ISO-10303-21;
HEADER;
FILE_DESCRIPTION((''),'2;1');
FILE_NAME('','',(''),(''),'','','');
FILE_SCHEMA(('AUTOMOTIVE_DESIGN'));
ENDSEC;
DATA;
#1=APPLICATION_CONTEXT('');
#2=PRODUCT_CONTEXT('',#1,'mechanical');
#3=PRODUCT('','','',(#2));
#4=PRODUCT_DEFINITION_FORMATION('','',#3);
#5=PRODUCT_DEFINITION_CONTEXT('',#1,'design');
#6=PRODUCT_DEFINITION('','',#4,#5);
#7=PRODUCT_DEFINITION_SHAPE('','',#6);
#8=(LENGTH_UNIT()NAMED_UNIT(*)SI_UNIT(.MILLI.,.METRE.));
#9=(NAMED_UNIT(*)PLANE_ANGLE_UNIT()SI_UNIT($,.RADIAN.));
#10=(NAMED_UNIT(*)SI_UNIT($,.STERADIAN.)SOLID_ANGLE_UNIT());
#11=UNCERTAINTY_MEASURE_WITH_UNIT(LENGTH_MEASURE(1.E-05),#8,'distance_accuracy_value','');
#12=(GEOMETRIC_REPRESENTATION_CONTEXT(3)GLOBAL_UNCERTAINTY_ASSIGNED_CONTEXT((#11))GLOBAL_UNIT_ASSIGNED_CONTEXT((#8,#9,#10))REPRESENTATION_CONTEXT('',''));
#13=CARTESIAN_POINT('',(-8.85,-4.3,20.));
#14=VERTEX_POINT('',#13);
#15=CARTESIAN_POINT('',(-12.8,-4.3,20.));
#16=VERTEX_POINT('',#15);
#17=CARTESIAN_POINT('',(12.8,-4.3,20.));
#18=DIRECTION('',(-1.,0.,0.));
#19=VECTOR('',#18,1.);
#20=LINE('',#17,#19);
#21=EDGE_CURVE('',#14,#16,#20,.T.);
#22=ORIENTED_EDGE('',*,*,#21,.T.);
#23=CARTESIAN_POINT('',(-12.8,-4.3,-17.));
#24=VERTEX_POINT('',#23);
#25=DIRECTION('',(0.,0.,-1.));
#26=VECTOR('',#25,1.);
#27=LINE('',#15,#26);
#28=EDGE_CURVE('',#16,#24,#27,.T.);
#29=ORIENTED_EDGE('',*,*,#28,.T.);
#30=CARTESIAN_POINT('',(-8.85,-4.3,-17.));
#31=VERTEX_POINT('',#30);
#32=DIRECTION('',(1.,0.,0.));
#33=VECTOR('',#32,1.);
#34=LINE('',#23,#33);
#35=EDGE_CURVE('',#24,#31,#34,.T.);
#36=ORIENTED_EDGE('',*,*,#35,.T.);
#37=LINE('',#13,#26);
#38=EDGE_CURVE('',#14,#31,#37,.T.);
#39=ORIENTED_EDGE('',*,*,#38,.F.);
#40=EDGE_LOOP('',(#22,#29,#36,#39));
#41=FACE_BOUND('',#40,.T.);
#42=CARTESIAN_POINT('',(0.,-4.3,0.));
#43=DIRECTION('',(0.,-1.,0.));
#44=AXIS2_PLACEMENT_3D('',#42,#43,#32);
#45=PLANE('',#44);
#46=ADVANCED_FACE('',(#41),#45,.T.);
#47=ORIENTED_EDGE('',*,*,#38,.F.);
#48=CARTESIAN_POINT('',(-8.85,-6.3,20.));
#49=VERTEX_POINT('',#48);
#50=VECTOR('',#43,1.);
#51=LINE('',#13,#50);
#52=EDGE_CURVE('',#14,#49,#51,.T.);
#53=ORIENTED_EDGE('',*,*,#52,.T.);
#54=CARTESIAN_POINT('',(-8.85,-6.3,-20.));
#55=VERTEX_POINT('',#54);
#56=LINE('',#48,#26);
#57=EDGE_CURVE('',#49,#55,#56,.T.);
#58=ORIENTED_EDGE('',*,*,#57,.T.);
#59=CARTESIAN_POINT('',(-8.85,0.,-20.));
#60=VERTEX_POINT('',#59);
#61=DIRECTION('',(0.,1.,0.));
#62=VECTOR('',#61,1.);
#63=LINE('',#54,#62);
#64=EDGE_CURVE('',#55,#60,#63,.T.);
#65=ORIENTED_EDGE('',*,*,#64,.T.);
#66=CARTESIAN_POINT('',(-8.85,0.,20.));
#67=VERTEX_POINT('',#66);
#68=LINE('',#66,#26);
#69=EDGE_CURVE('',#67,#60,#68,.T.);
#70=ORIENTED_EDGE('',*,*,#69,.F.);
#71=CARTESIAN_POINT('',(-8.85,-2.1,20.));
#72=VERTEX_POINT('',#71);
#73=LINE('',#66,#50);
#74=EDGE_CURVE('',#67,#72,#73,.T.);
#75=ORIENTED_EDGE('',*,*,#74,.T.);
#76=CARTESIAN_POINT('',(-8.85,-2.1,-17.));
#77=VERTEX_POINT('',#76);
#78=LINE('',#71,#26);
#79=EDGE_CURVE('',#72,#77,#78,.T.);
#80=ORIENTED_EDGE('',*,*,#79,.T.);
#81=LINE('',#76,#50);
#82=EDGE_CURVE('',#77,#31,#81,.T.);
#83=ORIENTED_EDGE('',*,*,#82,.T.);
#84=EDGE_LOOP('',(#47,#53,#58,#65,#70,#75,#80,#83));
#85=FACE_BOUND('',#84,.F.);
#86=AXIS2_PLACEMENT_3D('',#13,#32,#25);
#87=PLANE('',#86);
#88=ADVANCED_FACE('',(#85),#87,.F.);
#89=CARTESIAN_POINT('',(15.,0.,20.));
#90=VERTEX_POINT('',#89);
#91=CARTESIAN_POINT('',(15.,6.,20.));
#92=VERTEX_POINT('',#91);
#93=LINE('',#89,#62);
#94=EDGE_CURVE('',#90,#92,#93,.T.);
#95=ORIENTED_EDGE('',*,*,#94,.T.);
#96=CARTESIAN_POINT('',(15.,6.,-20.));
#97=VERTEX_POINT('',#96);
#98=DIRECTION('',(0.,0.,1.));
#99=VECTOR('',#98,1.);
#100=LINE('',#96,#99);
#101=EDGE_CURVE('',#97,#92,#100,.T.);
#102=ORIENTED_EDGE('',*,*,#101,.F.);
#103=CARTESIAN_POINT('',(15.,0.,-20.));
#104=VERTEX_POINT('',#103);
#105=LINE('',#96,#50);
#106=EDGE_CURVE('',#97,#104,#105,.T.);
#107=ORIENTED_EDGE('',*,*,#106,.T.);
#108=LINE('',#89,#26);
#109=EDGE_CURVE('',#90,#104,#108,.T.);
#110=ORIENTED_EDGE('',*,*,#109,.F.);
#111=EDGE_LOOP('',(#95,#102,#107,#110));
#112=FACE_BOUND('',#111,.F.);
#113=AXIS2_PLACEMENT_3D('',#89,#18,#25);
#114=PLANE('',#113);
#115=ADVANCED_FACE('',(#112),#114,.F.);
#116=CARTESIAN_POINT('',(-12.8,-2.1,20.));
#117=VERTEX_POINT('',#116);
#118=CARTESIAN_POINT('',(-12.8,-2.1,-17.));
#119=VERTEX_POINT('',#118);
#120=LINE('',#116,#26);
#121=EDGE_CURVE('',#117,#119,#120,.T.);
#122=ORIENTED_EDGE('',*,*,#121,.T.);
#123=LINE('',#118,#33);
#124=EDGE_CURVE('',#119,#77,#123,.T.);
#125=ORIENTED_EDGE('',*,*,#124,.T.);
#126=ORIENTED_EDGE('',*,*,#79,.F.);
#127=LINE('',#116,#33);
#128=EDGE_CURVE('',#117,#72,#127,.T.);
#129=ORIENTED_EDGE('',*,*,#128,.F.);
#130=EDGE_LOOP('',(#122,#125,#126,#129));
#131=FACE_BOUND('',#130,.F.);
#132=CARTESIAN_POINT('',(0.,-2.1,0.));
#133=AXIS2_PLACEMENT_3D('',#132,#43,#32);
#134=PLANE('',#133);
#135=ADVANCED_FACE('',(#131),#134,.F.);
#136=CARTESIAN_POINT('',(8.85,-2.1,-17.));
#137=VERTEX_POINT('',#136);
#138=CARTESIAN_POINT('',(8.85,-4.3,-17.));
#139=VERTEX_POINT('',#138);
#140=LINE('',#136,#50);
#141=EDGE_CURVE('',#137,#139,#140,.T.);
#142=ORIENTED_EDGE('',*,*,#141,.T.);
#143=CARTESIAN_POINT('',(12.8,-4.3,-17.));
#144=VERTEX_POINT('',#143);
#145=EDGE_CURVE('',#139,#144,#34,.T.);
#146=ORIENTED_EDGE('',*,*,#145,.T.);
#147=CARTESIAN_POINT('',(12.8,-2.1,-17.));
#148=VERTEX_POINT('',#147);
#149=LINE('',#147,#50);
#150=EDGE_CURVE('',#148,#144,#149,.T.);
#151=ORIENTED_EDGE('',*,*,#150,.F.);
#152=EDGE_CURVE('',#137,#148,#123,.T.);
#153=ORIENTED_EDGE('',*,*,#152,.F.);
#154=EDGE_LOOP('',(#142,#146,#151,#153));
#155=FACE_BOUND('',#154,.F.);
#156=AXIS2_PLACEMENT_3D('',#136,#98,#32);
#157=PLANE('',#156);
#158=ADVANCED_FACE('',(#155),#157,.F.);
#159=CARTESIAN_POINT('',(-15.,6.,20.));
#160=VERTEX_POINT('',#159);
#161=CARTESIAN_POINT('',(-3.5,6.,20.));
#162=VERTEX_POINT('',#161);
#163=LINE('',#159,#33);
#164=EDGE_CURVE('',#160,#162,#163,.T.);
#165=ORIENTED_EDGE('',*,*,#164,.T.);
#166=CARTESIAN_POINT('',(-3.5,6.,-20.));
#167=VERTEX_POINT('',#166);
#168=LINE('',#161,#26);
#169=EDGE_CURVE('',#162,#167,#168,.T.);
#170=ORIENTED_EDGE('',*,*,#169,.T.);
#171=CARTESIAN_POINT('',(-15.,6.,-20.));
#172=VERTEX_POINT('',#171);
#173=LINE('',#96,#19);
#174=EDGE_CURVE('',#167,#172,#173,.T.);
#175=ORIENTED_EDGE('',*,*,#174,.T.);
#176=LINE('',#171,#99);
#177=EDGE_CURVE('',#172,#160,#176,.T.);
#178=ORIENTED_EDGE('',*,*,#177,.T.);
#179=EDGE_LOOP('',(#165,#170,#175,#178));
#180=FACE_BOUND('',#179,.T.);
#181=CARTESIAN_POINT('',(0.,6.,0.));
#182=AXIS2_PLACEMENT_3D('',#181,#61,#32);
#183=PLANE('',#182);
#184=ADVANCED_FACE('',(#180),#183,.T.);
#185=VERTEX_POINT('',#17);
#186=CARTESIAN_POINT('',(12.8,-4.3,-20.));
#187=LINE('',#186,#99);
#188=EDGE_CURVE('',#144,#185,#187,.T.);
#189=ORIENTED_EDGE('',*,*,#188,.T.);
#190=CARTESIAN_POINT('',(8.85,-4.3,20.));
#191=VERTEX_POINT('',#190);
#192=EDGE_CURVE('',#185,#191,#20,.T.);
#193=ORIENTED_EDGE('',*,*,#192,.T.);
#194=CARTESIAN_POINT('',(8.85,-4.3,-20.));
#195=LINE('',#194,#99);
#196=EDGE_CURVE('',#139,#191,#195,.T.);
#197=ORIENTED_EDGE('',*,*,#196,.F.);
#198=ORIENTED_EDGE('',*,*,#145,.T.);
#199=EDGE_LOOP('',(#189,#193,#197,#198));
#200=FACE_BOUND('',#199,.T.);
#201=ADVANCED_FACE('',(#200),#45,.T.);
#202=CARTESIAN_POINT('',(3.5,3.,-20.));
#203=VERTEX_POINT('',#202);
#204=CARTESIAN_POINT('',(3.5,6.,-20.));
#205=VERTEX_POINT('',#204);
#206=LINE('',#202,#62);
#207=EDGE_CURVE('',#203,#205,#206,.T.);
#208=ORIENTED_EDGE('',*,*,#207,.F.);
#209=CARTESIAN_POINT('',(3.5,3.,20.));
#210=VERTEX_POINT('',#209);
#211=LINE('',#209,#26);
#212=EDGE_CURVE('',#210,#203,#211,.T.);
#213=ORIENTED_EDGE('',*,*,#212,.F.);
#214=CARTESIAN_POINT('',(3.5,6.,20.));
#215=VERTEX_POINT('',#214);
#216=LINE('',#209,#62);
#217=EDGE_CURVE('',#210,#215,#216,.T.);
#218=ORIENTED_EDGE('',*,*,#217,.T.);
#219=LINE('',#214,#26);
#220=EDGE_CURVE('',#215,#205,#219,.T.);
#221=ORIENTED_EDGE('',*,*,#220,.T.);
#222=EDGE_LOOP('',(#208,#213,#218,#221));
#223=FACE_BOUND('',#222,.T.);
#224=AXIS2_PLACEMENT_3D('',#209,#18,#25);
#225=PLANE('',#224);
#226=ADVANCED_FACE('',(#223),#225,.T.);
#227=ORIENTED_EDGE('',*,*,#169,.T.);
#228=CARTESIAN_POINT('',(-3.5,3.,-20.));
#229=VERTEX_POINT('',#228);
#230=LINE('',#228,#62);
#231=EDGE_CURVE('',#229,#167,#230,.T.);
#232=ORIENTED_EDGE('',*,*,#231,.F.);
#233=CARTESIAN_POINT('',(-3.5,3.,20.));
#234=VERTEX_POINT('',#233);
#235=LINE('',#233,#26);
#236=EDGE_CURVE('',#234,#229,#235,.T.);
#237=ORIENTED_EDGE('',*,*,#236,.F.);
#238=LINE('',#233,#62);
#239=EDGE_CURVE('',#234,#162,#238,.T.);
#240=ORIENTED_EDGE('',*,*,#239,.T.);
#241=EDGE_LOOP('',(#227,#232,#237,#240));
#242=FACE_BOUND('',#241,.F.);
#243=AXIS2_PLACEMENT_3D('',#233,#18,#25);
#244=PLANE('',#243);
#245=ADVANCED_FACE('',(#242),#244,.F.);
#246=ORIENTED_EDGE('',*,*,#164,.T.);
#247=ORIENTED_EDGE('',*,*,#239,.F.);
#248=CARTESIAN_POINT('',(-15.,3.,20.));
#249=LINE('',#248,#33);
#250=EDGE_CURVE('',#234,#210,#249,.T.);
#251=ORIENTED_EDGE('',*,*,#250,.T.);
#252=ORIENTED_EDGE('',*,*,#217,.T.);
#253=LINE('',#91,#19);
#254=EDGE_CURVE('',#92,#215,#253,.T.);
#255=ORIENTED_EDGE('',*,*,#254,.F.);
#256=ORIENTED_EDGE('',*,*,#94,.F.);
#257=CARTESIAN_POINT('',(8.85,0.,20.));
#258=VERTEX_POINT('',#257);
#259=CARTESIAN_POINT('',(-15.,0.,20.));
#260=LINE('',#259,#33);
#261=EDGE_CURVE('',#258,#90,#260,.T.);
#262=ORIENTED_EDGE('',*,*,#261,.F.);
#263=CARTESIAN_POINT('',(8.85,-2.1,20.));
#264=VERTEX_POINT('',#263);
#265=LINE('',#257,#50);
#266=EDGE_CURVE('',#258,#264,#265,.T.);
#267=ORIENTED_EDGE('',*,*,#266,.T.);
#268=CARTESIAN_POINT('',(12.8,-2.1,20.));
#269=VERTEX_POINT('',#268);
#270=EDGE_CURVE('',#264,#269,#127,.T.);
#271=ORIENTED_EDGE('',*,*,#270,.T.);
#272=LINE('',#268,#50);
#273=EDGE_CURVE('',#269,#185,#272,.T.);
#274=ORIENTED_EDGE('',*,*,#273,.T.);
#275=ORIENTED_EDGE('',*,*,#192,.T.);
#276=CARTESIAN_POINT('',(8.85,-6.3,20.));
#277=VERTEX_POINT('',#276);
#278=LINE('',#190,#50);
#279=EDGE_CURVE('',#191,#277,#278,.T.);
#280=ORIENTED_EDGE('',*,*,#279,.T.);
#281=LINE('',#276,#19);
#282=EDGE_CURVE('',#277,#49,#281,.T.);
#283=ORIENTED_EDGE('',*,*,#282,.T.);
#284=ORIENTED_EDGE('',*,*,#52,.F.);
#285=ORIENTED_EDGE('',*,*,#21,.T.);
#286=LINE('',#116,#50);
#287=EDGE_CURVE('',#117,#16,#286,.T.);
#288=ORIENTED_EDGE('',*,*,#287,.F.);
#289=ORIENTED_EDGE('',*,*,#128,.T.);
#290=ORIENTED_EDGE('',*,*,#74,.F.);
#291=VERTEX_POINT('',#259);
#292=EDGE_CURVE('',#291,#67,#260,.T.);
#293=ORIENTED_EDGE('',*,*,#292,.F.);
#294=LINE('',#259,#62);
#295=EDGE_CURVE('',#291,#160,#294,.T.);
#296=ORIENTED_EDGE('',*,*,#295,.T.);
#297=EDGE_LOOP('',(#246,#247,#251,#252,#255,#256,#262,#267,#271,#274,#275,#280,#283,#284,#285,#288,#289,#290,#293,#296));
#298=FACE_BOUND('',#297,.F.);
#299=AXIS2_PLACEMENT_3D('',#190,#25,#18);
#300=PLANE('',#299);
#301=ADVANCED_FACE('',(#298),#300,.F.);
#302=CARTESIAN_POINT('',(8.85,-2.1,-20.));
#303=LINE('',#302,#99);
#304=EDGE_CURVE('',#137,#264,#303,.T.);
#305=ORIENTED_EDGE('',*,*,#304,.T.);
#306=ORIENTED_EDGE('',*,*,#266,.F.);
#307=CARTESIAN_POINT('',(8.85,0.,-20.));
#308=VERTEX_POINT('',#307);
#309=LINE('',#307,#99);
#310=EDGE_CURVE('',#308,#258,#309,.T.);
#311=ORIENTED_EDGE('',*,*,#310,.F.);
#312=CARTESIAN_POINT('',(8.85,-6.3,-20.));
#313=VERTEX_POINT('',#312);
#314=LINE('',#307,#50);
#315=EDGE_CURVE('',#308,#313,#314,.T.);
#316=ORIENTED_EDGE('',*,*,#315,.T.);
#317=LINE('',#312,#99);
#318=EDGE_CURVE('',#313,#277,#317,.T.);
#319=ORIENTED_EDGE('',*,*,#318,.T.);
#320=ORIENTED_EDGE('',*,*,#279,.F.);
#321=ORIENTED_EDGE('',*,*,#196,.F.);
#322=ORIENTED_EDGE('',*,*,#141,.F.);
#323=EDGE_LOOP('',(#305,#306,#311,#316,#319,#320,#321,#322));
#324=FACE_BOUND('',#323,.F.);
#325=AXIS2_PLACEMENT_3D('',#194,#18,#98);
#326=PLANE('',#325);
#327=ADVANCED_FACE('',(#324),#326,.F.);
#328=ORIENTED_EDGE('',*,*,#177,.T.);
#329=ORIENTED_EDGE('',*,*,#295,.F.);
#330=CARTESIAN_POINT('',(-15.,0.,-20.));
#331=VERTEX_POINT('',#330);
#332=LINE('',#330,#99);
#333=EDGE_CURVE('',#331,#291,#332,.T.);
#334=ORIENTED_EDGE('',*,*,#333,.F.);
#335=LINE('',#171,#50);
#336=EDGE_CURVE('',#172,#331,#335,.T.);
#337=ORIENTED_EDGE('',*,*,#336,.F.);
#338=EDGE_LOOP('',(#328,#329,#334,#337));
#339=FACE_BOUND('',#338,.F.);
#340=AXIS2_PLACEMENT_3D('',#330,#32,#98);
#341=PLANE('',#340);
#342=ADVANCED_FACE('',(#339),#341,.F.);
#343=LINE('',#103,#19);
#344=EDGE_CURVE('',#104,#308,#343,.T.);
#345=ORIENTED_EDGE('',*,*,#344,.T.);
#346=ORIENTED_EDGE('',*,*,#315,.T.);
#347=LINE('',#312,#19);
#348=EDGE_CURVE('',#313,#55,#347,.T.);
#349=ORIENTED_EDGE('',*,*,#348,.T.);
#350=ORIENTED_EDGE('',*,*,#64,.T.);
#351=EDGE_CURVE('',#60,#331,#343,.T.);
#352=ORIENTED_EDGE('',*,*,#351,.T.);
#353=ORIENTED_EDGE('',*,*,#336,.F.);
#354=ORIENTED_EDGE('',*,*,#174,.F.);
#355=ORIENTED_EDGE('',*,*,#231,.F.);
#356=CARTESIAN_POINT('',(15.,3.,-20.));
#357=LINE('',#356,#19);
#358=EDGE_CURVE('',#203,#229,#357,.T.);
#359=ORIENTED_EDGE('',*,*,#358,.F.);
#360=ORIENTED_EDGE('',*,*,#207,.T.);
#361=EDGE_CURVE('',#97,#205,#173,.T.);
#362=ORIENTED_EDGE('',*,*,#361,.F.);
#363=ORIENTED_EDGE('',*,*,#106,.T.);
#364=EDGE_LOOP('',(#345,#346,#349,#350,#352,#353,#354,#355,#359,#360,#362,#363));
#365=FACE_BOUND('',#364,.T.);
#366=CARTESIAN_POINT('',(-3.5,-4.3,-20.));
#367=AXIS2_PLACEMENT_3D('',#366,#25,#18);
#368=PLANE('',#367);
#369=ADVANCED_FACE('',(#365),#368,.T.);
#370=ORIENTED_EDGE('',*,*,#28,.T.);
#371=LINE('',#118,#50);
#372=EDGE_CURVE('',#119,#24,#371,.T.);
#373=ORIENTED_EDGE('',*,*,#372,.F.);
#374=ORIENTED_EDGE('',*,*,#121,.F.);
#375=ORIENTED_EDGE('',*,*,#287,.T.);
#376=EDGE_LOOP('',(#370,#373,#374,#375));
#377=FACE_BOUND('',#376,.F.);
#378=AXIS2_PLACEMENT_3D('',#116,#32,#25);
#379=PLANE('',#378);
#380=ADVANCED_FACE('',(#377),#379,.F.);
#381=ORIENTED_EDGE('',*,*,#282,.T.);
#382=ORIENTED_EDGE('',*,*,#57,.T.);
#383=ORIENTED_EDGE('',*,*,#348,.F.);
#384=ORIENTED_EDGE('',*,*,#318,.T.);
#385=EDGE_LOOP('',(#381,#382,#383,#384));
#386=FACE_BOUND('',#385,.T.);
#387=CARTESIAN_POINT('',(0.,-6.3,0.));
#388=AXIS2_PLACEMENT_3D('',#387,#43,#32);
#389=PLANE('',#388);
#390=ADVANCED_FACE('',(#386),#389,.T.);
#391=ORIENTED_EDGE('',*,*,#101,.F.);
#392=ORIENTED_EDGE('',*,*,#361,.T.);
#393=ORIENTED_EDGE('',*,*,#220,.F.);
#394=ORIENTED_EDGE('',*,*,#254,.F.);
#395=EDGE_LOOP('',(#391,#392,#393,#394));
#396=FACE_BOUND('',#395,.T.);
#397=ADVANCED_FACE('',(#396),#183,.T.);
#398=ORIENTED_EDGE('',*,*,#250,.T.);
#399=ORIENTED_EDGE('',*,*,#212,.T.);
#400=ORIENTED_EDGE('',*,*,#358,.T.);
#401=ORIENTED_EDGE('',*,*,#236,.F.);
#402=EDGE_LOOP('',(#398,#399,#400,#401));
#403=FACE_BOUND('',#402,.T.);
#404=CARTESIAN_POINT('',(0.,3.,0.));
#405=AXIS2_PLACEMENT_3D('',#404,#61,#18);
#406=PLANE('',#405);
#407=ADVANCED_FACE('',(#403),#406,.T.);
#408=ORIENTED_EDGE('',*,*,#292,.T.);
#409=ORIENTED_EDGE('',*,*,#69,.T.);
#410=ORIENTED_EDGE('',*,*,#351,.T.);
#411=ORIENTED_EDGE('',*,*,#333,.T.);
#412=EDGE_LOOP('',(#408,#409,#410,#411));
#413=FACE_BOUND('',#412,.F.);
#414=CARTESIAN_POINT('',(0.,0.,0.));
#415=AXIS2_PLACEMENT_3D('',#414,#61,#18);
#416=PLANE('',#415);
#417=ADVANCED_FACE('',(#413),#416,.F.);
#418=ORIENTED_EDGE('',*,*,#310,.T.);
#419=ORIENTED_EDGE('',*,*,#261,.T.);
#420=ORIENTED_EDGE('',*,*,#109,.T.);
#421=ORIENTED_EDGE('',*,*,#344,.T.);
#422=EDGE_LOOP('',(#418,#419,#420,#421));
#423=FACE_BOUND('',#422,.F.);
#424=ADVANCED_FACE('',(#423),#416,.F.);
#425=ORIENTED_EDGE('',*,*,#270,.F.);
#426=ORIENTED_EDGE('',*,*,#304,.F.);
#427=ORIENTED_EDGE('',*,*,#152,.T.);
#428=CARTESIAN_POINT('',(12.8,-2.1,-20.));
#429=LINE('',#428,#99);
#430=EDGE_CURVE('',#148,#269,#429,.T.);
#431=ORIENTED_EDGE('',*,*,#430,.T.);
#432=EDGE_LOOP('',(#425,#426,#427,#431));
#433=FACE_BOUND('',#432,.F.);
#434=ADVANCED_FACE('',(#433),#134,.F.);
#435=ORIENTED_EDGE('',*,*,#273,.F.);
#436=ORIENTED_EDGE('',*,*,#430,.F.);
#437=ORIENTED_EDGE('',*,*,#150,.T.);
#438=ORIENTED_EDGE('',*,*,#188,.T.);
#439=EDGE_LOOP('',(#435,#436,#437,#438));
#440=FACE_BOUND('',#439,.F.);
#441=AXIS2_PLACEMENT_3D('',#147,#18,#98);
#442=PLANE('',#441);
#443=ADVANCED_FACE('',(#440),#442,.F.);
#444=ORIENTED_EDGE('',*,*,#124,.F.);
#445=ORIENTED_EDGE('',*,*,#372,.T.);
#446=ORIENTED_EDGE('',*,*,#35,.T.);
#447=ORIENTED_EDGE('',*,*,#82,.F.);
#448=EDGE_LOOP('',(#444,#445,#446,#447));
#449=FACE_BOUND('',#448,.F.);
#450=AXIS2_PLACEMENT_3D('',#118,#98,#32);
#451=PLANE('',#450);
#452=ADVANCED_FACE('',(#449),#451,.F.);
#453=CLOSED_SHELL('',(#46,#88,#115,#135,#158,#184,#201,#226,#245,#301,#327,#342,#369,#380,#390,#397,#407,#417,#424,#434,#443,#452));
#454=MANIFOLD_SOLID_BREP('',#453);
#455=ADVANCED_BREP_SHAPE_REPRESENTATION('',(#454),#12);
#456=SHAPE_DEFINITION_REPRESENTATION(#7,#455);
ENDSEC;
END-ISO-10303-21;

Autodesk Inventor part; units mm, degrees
ref_plane "YZ Plane" through (0, 0, 0) normal (1, 0, 0) x (0, 1, 0)
ref_plane "XZ Plane" through (0, 0, 0) normal (0, 1, 0) x (-1, 0, 0)
ref_plane "XY Plane" through (0, 0, 0) normal (0, 0, 1) x (1, 0, 0)
sketch "Sketch1" plane through (0, 0, 0) normal (0, 1, 0) x (-1, 0, 0)
  line L0 (15, 20) -> (-15, 20)
  line L1 (-15, 20) -> (-15, -20)
  line L2 (-15, -20) -> (15, -20)
  line L3 (15, -20) -> (15, 20)
  line L4 (15, 20) -> (-15, -20) construction
  line L5 (-15, 20) -> (15, -20) construction
  point P0 (0, 0)
  dimension "d0" = 30
  dimension "d1" = 40
extrude "Extrusion1" add sketch "Sketch1" along normal blind 3
sketch "Sketch2" plane through (0, 3, 0) normal (0, 1, 0) x (1, 0, 0)
  line L0 (-15, 20) -> (-15, -20) projected
  line L1 (15, 20) -> (-15, 20) projected
  line L2 (-15, -20) -> (-3.5, -20)
  line L3 (-3.5, -20) -> (-3.5, 20)
  line L4 (-3.5, 20) -> (-15, 20)
  line L5 (-15, 20) -> (-15, -20)
  line L6 (15, -20) -> (3.5, -20)
  line L7 (3.5, -20) -> (3.5, 20)
  line L8 (3.5, 20) -> (15, 20)
  line L9 (15, 20) -> (15, -20)
  point P0 (0, 0)
  dimension "d4" = 7
  dimension "d5" = 3.5
  dimension "d6" = 15
extrude "Extrusion2" add sketch "Sketch2" along normal blind 3
sketch "Sketch3" plane through (0, 0, 0) normal (0, -1, 0) x (1, 0, 0)
  line L0 (15, -20) -> (-15, -20) projected
  line L1 (8.85, 20) -> (-8.85, 20)
  line L2 (-8.85, 20) -> (-8.85, -20)
  line L3 (-8.85, -20) -> (8.85, -20)
  line L4 (8.85, -20) -> (8.85, 20)
  line L5 (8.85, 20) -> (-8.85, -20) construction
  line L6 (-8.85, 20) -> (8.85, -20) construction
  point P0 (0, 0)
  dimension "d9" = 17.7
extrude "Extrusion3" add sketch "Sketch3" along normal blind 2.1
sketch "Sketch4" plane through (0, -2.1, 0) normal (0, -1, 0) x (1, 0, 0)
  line L0 (-8.85, -20) -> (-15, -20) projected
  line L1 (12.8, 20) -> (-12.8, 20)
  line L2 (-12.8, 20) -> (-12.8, -20)
  line L3 (-12.8, -20) -> (12.8, -20)
  line L4 (12.8, -20) -> (12.8, 20)
  line L5 (12.8, 20) -> (-12.8, -20) construction
  line L6 (-12.8, 20) -> (12.8, -20) construction
  line L7 (15, 20) -> (15, -20) projected
  line L8 (-12.8, -17) -> (12.8, -17)
  line L9 (8.85, -20) -> (8.85, 20) projected
  line L10 (8.85, -20) -> (8.85, -17)
  line L11 (-8.85, -20) -> (-8.85, -17)
  point P0 (0, 0)
  dimension "d12" = 2.2
  dimension "d15" = 3
extrude "Extrusion4" add sketch "Sketch4" along normal blind 2.2 contours L11 L8 L9 L3 | L8 L2 L1 L9 | L9 L1 L4 L8
sketch "Sketch5" plane through (0, -4.3, 0) normal (0, -1, 0) x (1, 0, 0)
  line L0 (-3.5, -20) -> (-15, -20) projected
  line L1 (8.85, 20) -> (-8.85, 20)
  line L2 (-8.85, 20) -> (-8.85, -20)
  line L3 (-8.85, -20) -> (8.85, -20)
  line L4 (8.85, -20) -> (8.85, 20)
  line L5 (8.85, 20) -> (-8.85, -20) construction
  line L6 (-8.85, 20) -> (8.85, -20) construction
  point P0 (0, 0)
  dimension "d16" = 17.7
extrude "Extrusion5" add sketch "Sketch5" along normal blind 2
properties part number "horok"
